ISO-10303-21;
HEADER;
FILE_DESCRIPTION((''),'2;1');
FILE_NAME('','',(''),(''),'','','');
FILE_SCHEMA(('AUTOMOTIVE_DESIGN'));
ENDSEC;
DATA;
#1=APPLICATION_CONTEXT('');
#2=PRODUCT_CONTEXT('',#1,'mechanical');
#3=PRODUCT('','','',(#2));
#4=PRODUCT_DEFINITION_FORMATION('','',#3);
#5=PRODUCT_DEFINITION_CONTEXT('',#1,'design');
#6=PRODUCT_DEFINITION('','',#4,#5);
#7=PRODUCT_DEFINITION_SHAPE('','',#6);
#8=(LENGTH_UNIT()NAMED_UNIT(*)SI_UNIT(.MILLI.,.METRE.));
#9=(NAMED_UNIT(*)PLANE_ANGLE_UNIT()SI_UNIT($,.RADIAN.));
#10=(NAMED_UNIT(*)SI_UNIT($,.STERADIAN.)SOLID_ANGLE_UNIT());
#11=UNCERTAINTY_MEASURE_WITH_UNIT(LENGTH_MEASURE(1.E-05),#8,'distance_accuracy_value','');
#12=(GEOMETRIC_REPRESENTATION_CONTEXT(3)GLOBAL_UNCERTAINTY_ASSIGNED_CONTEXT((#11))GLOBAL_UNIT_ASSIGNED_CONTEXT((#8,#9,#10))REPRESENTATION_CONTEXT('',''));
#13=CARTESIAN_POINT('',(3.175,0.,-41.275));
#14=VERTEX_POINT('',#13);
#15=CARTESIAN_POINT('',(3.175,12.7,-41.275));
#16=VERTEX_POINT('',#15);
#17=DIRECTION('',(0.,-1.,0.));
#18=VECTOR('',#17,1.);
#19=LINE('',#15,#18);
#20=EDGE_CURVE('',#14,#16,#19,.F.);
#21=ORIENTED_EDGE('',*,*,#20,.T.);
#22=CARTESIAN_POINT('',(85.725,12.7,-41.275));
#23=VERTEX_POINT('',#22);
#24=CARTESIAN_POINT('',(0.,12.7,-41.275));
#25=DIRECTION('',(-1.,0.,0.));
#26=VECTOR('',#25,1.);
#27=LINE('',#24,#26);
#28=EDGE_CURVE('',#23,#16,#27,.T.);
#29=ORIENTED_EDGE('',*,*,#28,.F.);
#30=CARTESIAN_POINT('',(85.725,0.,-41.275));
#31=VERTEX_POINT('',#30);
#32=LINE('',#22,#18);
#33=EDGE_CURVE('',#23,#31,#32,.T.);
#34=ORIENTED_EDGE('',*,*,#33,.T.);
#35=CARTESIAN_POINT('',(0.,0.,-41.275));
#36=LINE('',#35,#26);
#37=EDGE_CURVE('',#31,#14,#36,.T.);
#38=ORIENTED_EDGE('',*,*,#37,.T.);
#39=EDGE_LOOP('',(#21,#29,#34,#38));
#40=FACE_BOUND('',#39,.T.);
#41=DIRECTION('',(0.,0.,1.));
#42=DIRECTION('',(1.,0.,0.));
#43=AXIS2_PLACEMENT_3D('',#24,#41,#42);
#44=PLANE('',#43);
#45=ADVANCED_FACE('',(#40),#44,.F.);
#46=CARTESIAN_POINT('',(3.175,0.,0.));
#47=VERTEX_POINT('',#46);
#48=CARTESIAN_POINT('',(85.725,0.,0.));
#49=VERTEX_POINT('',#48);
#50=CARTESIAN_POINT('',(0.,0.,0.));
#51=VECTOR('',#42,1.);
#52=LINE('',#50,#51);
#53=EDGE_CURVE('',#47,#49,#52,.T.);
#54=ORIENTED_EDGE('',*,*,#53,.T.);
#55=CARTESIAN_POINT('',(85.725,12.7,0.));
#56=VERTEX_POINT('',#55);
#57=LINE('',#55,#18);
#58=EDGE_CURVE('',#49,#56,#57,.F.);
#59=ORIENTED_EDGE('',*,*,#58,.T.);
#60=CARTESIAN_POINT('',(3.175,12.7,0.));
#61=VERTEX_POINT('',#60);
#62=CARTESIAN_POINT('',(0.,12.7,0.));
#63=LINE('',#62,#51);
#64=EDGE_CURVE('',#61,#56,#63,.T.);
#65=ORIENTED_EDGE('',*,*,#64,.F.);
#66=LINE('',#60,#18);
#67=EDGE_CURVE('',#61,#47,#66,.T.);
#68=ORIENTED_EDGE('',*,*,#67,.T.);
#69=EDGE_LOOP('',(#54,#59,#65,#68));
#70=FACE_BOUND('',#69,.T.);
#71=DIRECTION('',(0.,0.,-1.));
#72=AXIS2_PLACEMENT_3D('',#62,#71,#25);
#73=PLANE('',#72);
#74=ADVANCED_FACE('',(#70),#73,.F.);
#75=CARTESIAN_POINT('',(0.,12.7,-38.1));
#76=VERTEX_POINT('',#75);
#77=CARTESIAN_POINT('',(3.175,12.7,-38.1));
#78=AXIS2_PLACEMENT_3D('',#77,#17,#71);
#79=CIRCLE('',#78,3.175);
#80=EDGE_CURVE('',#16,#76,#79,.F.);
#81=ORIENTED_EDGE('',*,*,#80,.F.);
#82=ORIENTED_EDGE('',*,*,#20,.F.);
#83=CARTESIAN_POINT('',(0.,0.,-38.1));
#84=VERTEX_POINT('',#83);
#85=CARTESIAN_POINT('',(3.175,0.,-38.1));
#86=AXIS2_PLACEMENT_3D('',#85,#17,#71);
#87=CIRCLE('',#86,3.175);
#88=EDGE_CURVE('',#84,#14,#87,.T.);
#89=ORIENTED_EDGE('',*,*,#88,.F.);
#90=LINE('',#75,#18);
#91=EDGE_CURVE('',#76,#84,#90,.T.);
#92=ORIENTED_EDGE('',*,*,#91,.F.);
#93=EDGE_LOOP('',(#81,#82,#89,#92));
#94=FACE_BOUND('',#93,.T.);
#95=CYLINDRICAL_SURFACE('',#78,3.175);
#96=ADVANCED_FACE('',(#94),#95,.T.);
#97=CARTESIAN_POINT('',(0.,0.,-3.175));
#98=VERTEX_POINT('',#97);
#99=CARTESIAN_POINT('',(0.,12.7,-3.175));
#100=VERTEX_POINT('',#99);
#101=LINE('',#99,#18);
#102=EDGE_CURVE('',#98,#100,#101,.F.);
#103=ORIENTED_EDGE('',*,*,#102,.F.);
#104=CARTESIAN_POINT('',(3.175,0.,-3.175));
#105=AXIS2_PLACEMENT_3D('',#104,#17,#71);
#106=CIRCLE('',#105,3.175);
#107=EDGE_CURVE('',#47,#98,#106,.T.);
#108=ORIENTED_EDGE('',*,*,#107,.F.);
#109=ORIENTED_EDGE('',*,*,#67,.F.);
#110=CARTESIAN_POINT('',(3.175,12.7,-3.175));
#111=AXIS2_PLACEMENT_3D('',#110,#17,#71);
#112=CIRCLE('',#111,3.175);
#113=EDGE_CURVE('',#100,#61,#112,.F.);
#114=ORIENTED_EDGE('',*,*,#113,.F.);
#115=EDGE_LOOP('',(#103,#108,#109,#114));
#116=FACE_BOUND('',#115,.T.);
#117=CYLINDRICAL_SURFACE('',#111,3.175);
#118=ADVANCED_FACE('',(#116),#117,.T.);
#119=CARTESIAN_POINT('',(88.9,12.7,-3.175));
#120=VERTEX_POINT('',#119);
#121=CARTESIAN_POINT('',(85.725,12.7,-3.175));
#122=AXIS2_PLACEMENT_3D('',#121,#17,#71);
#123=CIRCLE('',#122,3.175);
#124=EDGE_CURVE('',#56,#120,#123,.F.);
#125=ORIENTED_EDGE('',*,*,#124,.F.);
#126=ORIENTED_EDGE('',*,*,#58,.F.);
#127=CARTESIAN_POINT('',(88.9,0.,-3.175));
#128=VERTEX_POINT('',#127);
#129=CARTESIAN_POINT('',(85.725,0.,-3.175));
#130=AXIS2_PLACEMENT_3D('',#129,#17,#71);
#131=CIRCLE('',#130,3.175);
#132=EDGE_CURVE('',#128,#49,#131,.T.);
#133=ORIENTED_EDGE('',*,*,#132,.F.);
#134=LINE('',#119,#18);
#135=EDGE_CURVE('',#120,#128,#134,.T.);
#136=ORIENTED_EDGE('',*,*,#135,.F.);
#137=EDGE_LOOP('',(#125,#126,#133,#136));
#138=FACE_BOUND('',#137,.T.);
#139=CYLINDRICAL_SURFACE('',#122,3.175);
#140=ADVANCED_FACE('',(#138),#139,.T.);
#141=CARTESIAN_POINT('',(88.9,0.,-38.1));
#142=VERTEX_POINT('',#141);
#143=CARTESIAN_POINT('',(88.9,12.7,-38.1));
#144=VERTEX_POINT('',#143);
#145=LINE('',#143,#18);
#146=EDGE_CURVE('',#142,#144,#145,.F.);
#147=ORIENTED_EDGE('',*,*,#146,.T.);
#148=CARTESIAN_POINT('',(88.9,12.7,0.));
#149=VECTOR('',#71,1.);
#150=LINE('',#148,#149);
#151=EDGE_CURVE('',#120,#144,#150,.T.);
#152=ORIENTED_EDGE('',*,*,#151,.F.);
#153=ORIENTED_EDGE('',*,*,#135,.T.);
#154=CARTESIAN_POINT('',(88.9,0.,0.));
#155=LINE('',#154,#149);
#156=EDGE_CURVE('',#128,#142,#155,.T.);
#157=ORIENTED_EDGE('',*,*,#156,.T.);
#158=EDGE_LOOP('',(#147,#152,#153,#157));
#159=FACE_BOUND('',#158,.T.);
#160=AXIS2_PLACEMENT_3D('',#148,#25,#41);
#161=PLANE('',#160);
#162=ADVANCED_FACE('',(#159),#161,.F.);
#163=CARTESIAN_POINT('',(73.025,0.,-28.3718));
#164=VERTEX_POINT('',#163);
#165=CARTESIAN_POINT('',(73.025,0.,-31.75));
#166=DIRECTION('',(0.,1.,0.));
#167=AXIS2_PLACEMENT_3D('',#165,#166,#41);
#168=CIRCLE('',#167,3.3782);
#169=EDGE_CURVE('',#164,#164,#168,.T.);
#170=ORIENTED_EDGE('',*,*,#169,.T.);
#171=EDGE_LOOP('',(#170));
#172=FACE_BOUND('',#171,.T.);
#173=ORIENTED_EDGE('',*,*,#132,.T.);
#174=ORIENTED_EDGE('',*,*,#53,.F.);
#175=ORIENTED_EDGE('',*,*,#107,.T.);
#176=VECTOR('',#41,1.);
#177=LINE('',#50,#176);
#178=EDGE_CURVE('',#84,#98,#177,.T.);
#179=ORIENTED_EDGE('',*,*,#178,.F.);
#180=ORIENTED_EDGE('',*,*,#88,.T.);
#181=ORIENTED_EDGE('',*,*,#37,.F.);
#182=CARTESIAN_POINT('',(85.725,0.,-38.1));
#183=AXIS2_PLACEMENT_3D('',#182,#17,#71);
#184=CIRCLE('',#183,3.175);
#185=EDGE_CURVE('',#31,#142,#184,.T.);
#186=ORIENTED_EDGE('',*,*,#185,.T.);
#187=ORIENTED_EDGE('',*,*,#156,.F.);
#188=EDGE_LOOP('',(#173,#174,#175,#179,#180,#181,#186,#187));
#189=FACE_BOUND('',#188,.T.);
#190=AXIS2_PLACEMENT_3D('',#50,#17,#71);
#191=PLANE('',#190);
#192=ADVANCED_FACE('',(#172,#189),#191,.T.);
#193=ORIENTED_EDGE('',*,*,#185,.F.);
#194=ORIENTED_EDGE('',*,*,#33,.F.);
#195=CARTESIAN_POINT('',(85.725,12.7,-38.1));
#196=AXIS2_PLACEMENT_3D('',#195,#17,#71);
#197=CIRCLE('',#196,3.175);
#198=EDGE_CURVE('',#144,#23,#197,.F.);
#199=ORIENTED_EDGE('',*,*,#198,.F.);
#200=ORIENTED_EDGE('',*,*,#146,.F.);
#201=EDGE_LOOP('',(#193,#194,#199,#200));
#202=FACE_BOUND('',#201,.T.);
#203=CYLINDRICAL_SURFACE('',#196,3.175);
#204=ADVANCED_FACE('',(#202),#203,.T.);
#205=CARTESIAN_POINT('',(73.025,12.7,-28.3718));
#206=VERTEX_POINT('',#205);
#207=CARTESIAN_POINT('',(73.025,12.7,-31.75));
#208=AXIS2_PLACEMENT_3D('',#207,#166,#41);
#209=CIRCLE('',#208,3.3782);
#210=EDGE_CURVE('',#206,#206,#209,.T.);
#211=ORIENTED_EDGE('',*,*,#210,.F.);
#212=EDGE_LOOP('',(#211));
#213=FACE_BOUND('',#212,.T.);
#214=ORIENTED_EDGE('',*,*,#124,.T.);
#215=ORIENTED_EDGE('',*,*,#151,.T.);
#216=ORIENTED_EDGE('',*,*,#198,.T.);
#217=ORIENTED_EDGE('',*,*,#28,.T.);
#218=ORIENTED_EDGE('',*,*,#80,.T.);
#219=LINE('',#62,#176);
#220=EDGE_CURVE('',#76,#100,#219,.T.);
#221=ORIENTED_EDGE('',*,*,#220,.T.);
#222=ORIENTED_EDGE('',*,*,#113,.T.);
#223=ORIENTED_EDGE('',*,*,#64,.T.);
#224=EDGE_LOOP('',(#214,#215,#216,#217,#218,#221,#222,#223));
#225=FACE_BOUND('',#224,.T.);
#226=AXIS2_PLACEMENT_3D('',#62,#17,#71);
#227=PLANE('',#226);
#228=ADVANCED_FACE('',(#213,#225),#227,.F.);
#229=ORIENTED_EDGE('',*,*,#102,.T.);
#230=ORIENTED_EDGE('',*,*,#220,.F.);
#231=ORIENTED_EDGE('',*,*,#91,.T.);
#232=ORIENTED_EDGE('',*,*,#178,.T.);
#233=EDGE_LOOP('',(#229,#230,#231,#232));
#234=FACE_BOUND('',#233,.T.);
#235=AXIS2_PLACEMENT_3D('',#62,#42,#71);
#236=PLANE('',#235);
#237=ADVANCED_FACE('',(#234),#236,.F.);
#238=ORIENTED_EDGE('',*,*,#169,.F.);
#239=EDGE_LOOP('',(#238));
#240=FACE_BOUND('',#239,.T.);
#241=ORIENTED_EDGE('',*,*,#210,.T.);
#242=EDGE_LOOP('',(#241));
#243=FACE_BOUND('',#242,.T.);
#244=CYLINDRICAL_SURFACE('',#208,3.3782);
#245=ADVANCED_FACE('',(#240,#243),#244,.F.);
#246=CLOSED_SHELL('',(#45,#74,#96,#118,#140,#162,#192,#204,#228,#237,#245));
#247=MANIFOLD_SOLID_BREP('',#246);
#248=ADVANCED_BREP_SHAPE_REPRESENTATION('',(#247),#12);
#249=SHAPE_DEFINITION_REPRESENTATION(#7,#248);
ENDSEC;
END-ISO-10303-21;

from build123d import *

# Parameters (mm, degrees)
SKETCH1_W               = 88.9
SKETCH1_H               = 41.275
BOSS_EXTRUDE1_DEPTH     = 12.7
F_1_4_CLEARANCE_HOLE1_D = 6.7564
FILLET1_R               = 3.175


with BuildPart() as part:
    # Sketch1 → Boss-Extrude1 (new body)
    with BuildSketch(Plane(origin=(0, 0, 0), x_dir=(1, 0, 0), z_dir=(0, 1, 0))):
        with Locations((44.45, 20.6375)):
            Rectangle(SKETCH1_W, SKETCH1_H)
    extrude(amount=BOSS_EXTRUDE1_DEPTH)

    # 1/4 Clearance Hole1 (through all)
    with Locations(Plane(origin=(0, 12.7, 0), x_dir=(1, 0, 0), z_dir=(0, 1, 0))):
        with Locations((73.025, 31.75)):
            Hole(F_1_4_CLEARANCE_HOLE1_D / 2)

    # Fillet1
    fillet1_edges = [part.edges().sort_by_distance(p)[0] for p in [
        (0, 6.35, -41.275),
        (88.9, 6.35, -41.275),
        (88.9, 6.35, 0),
        (0, 6.35, 0),
    ]]
    fillet(fillet1_edges, radius=FILLET1_R)


solid = part.part
